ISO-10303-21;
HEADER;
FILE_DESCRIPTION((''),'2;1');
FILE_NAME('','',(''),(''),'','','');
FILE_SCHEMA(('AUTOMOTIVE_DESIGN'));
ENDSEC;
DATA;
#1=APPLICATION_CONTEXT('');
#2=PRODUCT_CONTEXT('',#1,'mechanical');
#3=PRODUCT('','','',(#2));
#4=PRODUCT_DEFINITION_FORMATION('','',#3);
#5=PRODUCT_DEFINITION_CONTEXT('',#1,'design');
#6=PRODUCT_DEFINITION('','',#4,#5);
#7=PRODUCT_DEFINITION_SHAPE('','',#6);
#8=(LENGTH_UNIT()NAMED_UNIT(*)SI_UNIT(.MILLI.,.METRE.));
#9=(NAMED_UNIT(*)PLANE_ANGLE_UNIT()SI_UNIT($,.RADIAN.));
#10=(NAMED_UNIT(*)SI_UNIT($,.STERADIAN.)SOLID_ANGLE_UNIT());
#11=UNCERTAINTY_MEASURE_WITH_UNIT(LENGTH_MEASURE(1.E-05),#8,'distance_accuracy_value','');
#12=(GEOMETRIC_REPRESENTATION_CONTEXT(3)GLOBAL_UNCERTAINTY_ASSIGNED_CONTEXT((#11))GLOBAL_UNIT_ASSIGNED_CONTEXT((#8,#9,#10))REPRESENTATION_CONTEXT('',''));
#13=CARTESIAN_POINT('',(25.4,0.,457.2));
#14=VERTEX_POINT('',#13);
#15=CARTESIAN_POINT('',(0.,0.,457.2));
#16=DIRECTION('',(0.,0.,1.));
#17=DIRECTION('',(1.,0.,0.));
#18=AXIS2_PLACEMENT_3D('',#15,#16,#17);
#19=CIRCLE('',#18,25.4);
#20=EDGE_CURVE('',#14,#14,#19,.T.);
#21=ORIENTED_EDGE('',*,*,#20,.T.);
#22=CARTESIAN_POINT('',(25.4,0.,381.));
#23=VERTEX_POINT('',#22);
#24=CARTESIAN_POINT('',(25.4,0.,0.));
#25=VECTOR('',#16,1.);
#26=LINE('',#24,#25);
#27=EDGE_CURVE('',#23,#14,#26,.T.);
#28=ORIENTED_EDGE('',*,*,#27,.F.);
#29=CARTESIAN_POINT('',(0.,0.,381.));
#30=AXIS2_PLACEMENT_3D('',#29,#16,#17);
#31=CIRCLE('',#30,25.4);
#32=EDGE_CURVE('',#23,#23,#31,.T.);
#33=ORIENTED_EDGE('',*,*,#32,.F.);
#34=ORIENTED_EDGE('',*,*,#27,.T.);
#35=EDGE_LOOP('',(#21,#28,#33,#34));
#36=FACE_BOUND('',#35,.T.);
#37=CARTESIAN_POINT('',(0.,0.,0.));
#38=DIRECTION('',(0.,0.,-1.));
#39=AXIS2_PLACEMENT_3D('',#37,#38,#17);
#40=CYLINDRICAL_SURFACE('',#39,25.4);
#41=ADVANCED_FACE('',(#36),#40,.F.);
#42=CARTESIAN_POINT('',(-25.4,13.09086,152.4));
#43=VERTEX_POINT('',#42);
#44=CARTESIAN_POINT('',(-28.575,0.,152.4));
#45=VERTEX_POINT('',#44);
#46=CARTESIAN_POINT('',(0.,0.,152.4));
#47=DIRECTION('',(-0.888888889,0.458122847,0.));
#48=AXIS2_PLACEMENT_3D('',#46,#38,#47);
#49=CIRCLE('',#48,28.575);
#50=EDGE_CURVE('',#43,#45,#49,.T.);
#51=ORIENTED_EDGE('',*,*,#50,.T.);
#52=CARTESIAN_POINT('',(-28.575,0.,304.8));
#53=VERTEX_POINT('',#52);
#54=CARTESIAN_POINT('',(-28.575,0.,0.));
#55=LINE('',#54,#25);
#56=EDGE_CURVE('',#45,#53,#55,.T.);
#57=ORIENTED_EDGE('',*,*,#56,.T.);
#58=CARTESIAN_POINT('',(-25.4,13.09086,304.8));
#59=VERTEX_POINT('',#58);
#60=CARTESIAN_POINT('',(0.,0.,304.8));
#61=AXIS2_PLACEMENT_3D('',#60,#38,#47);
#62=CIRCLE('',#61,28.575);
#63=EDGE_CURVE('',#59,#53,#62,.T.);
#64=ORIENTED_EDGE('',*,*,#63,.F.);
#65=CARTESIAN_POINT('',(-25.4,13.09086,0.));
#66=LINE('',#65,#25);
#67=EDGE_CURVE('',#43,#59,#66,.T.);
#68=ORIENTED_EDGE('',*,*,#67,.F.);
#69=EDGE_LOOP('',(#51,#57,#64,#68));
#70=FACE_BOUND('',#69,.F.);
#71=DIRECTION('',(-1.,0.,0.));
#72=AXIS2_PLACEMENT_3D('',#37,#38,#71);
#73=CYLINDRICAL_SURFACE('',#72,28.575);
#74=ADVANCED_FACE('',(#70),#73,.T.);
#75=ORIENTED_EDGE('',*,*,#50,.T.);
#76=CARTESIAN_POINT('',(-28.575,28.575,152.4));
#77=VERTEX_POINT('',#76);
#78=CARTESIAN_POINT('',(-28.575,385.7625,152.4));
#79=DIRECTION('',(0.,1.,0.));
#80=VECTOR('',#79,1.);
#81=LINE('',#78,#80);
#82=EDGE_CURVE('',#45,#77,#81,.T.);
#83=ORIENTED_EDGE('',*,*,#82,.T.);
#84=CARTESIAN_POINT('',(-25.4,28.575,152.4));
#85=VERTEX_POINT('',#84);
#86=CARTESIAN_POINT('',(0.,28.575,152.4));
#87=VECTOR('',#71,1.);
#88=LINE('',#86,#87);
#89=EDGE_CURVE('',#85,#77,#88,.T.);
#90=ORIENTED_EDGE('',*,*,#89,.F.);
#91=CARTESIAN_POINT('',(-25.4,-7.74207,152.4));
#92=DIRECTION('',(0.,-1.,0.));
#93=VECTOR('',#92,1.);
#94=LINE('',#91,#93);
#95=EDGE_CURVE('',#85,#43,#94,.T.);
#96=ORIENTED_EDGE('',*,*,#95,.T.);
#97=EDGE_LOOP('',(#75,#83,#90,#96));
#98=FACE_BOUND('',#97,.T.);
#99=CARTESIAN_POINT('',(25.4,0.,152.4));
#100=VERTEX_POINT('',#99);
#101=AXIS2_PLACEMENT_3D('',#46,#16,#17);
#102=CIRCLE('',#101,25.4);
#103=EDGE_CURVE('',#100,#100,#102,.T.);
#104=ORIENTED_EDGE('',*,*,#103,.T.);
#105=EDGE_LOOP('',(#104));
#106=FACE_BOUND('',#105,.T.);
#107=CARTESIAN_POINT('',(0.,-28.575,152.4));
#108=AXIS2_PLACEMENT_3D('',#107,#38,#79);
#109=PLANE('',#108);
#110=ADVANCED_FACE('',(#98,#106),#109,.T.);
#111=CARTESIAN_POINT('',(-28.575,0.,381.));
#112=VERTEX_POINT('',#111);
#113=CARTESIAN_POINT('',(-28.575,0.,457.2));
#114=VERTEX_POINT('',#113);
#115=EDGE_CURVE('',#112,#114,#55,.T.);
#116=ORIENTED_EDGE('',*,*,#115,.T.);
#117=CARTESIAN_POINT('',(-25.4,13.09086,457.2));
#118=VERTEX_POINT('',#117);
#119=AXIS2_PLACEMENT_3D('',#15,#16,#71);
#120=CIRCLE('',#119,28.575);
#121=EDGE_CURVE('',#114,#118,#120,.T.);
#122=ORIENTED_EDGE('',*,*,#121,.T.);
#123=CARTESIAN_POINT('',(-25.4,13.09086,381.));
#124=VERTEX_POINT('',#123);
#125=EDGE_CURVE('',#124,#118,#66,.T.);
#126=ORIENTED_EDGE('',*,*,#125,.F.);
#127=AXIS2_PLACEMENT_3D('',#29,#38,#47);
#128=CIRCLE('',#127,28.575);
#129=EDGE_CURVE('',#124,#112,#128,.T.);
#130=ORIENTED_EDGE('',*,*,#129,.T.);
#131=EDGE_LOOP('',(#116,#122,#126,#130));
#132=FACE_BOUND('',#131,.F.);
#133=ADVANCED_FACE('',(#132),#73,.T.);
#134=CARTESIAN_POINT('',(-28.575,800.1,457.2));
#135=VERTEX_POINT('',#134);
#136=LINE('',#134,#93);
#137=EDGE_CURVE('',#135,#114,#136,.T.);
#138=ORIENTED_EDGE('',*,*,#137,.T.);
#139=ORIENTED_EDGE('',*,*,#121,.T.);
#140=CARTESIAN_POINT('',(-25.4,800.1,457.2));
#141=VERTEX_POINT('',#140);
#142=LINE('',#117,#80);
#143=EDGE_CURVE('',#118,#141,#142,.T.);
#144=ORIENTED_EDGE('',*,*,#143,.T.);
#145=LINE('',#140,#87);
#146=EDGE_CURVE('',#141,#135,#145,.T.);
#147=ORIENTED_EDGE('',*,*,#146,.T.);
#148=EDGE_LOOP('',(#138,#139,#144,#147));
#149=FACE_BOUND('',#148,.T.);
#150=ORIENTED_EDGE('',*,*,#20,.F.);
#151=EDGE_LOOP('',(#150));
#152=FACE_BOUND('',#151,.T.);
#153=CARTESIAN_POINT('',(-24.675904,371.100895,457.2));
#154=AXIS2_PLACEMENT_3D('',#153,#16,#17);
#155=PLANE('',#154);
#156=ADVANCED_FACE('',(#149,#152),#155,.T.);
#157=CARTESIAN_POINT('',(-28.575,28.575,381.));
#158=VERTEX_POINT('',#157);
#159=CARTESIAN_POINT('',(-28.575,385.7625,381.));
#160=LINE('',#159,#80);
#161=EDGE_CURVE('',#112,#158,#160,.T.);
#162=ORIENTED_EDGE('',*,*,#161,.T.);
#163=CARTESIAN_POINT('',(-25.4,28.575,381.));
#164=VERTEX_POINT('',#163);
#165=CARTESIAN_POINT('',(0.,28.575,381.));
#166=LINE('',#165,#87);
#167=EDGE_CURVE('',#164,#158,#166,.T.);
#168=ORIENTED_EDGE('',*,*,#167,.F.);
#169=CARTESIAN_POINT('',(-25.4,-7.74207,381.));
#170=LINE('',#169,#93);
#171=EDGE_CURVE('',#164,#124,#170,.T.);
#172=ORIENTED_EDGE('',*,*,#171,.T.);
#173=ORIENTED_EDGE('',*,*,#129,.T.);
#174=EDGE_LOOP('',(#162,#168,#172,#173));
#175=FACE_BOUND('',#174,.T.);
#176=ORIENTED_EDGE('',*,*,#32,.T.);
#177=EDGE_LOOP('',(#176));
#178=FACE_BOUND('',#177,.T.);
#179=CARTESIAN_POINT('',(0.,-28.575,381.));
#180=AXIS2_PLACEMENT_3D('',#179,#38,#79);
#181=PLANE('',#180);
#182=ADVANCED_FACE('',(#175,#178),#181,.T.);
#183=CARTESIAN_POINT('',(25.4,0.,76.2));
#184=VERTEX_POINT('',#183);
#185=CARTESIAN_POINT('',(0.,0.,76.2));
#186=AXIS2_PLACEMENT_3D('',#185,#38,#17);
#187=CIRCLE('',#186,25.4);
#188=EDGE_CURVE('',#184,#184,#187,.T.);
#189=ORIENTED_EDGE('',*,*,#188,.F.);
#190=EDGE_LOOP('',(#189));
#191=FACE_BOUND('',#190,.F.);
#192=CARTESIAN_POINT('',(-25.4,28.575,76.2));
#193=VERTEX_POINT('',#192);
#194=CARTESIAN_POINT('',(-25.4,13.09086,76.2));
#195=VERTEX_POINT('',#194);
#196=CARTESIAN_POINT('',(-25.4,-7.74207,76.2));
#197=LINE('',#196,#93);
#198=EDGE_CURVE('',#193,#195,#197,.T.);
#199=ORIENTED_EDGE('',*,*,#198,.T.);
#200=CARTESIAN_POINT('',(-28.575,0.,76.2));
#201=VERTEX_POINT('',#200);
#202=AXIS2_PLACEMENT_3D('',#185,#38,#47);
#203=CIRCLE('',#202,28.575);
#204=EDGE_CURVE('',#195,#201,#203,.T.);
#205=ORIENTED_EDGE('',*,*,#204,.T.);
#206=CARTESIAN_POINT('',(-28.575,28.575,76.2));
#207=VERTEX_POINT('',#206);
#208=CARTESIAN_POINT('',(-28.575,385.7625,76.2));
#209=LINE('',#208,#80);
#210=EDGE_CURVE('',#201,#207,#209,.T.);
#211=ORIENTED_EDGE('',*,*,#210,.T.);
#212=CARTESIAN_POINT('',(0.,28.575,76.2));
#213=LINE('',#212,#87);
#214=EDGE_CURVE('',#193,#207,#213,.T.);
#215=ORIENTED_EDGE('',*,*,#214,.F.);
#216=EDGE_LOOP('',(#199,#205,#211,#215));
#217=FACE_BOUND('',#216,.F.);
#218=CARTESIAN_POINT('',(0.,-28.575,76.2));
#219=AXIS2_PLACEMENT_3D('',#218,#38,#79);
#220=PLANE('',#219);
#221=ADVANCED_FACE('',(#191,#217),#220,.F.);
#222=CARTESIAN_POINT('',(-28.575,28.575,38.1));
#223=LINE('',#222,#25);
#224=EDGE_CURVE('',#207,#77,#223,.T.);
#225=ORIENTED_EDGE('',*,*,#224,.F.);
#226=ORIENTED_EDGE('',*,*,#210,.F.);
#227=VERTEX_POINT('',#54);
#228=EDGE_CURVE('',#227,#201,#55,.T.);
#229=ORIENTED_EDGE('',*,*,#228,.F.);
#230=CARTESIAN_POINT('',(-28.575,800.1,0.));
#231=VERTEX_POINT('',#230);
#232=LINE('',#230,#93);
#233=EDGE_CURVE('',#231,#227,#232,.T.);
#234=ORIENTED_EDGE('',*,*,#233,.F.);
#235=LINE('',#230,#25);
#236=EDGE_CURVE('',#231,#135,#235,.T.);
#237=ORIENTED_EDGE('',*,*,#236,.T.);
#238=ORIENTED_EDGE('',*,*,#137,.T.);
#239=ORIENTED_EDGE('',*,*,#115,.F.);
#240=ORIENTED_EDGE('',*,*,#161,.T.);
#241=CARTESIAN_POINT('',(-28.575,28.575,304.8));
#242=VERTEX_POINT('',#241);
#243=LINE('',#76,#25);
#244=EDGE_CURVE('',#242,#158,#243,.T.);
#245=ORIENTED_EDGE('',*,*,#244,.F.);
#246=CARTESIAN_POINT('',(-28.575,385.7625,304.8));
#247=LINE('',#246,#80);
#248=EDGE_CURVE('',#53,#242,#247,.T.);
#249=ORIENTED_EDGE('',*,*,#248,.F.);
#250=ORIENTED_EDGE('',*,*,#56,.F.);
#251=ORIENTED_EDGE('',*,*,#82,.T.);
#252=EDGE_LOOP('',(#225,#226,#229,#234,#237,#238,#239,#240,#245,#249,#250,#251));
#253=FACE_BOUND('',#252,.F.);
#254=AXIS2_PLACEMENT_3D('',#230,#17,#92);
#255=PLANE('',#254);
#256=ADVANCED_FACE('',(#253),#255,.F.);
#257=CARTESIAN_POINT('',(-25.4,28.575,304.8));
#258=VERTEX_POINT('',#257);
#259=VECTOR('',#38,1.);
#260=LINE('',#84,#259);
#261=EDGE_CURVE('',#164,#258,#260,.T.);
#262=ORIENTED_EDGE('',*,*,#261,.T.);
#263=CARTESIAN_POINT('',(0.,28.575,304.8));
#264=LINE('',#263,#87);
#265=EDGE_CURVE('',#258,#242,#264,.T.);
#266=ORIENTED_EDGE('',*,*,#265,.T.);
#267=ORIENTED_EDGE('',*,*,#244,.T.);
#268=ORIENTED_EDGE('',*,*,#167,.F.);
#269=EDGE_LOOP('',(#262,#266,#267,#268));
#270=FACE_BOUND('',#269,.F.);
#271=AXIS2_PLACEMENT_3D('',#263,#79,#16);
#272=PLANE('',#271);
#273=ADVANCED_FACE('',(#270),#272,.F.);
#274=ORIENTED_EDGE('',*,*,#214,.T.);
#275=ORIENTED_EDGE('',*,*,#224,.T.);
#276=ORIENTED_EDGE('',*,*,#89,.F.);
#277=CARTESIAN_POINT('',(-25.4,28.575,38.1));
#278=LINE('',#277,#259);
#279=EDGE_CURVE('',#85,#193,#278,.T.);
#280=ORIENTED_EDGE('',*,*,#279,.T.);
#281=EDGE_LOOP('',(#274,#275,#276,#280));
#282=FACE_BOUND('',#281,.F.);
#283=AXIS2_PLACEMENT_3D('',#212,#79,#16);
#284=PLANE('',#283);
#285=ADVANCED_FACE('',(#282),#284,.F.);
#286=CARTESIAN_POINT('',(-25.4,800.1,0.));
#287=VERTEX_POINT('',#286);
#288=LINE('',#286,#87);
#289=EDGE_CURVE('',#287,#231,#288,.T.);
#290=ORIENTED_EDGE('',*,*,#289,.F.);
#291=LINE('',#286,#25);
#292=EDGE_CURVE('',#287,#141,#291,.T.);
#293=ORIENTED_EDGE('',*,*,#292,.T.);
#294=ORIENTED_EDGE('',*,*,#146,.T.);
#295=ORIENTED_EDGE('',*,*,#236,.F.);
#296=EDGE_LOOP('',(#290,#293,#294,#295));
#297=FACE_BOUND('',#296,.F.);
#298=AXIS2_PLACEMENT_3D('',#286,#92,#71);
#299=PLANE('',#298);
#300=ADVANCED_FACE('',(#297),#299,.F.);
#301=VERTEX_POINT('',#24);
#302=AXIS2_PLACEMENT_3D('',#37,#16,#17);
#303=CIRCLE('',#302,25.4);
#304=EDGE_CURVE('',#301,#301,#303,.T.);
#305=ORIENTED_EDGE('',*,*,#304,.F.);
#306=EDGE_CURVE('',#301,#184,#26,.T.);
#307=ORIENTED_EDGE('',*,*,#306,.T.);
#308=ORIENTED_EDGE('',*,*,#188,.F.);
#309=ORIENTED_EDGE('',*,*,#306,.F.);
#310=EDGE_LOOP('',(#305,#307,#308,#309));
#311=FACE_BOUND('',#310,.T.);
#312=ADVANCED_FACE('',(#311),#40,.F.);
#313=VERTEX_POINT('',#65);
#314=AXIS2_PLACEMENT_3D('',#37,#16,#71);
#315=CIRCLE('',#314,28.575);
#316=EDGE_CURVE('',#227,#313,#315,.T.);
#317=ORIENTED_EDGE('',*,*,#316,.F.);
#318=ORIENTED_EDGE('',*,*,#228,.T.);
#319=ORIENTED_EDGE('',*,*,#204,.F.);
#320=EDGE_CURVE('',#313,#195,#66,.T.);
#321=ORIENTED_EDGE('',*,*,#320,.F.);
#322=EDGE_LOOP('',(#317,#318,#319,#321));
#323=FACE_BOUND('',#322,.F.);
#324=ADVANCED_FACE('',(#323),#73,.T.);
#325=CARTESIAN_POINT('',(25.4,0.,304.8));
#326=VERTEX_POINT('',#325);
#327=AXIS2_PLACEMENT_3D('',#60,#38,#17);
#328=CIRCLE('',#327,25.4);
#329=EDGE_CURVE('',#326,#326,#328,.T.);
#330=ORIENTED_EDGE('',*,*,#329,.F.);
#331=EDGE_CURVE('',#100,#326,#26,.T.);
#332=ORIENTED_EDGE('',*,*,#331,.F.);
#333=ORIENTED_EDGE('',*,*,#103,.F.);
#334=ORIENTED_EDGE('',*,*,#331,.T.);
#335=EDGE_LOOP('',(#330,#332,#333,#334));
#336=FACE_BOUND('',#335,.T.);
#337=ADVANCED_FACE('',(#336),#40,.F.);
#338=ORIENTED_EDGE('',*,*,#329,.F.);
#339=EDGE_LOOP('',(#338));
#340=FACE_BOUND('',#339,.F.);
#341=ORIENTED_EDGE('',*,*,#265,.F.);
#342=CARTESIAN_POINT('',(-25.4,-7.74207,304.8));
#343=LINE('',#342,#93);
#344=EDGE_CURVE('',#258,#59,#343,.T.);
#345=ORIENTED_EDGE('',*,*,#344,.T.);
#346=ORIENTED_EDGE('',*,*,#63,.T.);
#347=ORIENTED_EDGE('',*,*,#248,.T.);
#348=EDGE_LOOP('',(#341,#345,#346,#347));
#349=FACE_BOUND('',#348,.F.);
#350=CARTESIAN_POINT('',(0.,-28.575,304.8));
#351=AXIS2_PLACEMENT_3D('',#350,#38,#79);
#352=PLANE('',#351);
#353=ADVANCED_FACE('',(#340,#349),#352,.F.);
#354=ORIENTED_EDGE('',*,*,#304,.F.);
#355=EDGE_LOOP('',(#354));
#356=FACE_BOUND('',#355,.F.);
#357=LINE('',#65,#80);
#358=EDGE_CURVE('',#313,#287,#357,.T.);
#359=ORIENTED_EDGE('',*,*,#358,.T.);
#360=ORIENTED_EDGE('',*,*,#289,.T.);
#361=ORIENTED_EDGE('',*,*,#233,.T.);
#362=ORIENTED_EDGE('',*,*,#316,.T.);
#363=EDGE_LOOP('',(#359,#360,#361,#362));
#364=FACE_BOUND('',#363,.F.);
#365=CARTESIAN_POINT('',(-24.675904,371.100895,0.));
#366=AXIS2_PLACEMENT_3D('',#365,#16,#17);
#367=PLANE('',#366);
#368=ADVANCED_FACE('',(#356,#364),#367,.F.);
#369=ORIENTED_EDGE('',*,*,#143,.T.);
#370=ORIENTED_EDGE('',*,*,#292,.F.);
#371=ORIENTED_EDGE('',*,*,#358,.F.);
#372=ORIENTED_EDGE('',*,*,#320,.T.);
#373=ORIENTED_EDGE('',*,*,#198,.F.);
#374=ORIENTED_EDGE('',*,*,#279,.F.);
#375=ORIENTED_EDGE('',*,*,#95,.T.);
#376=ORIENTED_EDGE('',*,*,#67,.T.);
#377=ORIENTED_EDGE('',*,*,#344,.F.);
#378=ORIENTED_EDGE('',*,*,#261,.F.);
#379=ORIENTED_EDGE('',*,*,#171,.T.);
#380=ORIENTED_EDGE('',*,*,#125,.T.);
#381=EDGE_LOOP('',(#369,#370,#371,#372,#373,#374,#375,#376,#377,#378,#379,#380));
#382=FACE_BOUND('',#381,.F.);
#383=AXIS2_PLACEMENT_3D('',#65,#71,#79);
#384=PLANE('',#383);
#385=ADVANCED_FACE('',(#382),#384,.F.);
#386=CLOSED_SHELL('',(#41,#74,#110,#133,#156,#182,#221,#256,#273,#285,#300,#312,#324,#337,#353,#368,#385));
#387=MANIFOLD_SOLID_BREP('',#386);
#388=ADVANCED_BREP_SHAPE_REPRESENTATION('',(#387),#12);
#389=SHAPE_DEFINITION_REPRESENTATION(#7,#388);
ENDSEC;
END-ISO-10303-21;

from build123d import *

# Parameters (mm, degrees)
F0_R          = 25.4
F1_DEPTH      = 457.2
F2_W          = 57.15
F2_H          = 76.2
F3_DEPTH      = 28.576
F3_DEPTH_BACK = 28.576


with BuildPart() as f1:
    # F0 (on Top) → F1 (new body)
    with BuildSketch(Plane.XY):
        with BuildLine():
            Line((-28.575, 800.1), (-28.575, 0))
            ThreePointArc((-28.575, 0), (27.7699083992, -6.7351920908), (-25.4, 13.0908603613))
            Line((-25.4, 13.0908603613), (-25.4, 800.1))
            Line((-25.4, 800.1), (-28.575, 800.1))
        make_face()
        Circle(F0_R, mode=Mode.SUBTRACT)
    extrude(amount=F1_DEPTH)

    # F2 (on Right) → F3 (cut, two sides)
    with BuildSketch(Plane.YZ) as f3_sk:
        with Locations((0, 342.9)):
            Rectangle(F2_W, F2_H)
        with Locations((0, 114.3)):
            Rectangle(F2_W, F2_H)
    extrude(amount=-F3_DEPTH, mode=Mode.SUBTRACT)
    extrude(f3_sk.sketch, amount=F3_DEPTH_BACK, mode=Mode.SUBTRACT)


solid = f1.part
